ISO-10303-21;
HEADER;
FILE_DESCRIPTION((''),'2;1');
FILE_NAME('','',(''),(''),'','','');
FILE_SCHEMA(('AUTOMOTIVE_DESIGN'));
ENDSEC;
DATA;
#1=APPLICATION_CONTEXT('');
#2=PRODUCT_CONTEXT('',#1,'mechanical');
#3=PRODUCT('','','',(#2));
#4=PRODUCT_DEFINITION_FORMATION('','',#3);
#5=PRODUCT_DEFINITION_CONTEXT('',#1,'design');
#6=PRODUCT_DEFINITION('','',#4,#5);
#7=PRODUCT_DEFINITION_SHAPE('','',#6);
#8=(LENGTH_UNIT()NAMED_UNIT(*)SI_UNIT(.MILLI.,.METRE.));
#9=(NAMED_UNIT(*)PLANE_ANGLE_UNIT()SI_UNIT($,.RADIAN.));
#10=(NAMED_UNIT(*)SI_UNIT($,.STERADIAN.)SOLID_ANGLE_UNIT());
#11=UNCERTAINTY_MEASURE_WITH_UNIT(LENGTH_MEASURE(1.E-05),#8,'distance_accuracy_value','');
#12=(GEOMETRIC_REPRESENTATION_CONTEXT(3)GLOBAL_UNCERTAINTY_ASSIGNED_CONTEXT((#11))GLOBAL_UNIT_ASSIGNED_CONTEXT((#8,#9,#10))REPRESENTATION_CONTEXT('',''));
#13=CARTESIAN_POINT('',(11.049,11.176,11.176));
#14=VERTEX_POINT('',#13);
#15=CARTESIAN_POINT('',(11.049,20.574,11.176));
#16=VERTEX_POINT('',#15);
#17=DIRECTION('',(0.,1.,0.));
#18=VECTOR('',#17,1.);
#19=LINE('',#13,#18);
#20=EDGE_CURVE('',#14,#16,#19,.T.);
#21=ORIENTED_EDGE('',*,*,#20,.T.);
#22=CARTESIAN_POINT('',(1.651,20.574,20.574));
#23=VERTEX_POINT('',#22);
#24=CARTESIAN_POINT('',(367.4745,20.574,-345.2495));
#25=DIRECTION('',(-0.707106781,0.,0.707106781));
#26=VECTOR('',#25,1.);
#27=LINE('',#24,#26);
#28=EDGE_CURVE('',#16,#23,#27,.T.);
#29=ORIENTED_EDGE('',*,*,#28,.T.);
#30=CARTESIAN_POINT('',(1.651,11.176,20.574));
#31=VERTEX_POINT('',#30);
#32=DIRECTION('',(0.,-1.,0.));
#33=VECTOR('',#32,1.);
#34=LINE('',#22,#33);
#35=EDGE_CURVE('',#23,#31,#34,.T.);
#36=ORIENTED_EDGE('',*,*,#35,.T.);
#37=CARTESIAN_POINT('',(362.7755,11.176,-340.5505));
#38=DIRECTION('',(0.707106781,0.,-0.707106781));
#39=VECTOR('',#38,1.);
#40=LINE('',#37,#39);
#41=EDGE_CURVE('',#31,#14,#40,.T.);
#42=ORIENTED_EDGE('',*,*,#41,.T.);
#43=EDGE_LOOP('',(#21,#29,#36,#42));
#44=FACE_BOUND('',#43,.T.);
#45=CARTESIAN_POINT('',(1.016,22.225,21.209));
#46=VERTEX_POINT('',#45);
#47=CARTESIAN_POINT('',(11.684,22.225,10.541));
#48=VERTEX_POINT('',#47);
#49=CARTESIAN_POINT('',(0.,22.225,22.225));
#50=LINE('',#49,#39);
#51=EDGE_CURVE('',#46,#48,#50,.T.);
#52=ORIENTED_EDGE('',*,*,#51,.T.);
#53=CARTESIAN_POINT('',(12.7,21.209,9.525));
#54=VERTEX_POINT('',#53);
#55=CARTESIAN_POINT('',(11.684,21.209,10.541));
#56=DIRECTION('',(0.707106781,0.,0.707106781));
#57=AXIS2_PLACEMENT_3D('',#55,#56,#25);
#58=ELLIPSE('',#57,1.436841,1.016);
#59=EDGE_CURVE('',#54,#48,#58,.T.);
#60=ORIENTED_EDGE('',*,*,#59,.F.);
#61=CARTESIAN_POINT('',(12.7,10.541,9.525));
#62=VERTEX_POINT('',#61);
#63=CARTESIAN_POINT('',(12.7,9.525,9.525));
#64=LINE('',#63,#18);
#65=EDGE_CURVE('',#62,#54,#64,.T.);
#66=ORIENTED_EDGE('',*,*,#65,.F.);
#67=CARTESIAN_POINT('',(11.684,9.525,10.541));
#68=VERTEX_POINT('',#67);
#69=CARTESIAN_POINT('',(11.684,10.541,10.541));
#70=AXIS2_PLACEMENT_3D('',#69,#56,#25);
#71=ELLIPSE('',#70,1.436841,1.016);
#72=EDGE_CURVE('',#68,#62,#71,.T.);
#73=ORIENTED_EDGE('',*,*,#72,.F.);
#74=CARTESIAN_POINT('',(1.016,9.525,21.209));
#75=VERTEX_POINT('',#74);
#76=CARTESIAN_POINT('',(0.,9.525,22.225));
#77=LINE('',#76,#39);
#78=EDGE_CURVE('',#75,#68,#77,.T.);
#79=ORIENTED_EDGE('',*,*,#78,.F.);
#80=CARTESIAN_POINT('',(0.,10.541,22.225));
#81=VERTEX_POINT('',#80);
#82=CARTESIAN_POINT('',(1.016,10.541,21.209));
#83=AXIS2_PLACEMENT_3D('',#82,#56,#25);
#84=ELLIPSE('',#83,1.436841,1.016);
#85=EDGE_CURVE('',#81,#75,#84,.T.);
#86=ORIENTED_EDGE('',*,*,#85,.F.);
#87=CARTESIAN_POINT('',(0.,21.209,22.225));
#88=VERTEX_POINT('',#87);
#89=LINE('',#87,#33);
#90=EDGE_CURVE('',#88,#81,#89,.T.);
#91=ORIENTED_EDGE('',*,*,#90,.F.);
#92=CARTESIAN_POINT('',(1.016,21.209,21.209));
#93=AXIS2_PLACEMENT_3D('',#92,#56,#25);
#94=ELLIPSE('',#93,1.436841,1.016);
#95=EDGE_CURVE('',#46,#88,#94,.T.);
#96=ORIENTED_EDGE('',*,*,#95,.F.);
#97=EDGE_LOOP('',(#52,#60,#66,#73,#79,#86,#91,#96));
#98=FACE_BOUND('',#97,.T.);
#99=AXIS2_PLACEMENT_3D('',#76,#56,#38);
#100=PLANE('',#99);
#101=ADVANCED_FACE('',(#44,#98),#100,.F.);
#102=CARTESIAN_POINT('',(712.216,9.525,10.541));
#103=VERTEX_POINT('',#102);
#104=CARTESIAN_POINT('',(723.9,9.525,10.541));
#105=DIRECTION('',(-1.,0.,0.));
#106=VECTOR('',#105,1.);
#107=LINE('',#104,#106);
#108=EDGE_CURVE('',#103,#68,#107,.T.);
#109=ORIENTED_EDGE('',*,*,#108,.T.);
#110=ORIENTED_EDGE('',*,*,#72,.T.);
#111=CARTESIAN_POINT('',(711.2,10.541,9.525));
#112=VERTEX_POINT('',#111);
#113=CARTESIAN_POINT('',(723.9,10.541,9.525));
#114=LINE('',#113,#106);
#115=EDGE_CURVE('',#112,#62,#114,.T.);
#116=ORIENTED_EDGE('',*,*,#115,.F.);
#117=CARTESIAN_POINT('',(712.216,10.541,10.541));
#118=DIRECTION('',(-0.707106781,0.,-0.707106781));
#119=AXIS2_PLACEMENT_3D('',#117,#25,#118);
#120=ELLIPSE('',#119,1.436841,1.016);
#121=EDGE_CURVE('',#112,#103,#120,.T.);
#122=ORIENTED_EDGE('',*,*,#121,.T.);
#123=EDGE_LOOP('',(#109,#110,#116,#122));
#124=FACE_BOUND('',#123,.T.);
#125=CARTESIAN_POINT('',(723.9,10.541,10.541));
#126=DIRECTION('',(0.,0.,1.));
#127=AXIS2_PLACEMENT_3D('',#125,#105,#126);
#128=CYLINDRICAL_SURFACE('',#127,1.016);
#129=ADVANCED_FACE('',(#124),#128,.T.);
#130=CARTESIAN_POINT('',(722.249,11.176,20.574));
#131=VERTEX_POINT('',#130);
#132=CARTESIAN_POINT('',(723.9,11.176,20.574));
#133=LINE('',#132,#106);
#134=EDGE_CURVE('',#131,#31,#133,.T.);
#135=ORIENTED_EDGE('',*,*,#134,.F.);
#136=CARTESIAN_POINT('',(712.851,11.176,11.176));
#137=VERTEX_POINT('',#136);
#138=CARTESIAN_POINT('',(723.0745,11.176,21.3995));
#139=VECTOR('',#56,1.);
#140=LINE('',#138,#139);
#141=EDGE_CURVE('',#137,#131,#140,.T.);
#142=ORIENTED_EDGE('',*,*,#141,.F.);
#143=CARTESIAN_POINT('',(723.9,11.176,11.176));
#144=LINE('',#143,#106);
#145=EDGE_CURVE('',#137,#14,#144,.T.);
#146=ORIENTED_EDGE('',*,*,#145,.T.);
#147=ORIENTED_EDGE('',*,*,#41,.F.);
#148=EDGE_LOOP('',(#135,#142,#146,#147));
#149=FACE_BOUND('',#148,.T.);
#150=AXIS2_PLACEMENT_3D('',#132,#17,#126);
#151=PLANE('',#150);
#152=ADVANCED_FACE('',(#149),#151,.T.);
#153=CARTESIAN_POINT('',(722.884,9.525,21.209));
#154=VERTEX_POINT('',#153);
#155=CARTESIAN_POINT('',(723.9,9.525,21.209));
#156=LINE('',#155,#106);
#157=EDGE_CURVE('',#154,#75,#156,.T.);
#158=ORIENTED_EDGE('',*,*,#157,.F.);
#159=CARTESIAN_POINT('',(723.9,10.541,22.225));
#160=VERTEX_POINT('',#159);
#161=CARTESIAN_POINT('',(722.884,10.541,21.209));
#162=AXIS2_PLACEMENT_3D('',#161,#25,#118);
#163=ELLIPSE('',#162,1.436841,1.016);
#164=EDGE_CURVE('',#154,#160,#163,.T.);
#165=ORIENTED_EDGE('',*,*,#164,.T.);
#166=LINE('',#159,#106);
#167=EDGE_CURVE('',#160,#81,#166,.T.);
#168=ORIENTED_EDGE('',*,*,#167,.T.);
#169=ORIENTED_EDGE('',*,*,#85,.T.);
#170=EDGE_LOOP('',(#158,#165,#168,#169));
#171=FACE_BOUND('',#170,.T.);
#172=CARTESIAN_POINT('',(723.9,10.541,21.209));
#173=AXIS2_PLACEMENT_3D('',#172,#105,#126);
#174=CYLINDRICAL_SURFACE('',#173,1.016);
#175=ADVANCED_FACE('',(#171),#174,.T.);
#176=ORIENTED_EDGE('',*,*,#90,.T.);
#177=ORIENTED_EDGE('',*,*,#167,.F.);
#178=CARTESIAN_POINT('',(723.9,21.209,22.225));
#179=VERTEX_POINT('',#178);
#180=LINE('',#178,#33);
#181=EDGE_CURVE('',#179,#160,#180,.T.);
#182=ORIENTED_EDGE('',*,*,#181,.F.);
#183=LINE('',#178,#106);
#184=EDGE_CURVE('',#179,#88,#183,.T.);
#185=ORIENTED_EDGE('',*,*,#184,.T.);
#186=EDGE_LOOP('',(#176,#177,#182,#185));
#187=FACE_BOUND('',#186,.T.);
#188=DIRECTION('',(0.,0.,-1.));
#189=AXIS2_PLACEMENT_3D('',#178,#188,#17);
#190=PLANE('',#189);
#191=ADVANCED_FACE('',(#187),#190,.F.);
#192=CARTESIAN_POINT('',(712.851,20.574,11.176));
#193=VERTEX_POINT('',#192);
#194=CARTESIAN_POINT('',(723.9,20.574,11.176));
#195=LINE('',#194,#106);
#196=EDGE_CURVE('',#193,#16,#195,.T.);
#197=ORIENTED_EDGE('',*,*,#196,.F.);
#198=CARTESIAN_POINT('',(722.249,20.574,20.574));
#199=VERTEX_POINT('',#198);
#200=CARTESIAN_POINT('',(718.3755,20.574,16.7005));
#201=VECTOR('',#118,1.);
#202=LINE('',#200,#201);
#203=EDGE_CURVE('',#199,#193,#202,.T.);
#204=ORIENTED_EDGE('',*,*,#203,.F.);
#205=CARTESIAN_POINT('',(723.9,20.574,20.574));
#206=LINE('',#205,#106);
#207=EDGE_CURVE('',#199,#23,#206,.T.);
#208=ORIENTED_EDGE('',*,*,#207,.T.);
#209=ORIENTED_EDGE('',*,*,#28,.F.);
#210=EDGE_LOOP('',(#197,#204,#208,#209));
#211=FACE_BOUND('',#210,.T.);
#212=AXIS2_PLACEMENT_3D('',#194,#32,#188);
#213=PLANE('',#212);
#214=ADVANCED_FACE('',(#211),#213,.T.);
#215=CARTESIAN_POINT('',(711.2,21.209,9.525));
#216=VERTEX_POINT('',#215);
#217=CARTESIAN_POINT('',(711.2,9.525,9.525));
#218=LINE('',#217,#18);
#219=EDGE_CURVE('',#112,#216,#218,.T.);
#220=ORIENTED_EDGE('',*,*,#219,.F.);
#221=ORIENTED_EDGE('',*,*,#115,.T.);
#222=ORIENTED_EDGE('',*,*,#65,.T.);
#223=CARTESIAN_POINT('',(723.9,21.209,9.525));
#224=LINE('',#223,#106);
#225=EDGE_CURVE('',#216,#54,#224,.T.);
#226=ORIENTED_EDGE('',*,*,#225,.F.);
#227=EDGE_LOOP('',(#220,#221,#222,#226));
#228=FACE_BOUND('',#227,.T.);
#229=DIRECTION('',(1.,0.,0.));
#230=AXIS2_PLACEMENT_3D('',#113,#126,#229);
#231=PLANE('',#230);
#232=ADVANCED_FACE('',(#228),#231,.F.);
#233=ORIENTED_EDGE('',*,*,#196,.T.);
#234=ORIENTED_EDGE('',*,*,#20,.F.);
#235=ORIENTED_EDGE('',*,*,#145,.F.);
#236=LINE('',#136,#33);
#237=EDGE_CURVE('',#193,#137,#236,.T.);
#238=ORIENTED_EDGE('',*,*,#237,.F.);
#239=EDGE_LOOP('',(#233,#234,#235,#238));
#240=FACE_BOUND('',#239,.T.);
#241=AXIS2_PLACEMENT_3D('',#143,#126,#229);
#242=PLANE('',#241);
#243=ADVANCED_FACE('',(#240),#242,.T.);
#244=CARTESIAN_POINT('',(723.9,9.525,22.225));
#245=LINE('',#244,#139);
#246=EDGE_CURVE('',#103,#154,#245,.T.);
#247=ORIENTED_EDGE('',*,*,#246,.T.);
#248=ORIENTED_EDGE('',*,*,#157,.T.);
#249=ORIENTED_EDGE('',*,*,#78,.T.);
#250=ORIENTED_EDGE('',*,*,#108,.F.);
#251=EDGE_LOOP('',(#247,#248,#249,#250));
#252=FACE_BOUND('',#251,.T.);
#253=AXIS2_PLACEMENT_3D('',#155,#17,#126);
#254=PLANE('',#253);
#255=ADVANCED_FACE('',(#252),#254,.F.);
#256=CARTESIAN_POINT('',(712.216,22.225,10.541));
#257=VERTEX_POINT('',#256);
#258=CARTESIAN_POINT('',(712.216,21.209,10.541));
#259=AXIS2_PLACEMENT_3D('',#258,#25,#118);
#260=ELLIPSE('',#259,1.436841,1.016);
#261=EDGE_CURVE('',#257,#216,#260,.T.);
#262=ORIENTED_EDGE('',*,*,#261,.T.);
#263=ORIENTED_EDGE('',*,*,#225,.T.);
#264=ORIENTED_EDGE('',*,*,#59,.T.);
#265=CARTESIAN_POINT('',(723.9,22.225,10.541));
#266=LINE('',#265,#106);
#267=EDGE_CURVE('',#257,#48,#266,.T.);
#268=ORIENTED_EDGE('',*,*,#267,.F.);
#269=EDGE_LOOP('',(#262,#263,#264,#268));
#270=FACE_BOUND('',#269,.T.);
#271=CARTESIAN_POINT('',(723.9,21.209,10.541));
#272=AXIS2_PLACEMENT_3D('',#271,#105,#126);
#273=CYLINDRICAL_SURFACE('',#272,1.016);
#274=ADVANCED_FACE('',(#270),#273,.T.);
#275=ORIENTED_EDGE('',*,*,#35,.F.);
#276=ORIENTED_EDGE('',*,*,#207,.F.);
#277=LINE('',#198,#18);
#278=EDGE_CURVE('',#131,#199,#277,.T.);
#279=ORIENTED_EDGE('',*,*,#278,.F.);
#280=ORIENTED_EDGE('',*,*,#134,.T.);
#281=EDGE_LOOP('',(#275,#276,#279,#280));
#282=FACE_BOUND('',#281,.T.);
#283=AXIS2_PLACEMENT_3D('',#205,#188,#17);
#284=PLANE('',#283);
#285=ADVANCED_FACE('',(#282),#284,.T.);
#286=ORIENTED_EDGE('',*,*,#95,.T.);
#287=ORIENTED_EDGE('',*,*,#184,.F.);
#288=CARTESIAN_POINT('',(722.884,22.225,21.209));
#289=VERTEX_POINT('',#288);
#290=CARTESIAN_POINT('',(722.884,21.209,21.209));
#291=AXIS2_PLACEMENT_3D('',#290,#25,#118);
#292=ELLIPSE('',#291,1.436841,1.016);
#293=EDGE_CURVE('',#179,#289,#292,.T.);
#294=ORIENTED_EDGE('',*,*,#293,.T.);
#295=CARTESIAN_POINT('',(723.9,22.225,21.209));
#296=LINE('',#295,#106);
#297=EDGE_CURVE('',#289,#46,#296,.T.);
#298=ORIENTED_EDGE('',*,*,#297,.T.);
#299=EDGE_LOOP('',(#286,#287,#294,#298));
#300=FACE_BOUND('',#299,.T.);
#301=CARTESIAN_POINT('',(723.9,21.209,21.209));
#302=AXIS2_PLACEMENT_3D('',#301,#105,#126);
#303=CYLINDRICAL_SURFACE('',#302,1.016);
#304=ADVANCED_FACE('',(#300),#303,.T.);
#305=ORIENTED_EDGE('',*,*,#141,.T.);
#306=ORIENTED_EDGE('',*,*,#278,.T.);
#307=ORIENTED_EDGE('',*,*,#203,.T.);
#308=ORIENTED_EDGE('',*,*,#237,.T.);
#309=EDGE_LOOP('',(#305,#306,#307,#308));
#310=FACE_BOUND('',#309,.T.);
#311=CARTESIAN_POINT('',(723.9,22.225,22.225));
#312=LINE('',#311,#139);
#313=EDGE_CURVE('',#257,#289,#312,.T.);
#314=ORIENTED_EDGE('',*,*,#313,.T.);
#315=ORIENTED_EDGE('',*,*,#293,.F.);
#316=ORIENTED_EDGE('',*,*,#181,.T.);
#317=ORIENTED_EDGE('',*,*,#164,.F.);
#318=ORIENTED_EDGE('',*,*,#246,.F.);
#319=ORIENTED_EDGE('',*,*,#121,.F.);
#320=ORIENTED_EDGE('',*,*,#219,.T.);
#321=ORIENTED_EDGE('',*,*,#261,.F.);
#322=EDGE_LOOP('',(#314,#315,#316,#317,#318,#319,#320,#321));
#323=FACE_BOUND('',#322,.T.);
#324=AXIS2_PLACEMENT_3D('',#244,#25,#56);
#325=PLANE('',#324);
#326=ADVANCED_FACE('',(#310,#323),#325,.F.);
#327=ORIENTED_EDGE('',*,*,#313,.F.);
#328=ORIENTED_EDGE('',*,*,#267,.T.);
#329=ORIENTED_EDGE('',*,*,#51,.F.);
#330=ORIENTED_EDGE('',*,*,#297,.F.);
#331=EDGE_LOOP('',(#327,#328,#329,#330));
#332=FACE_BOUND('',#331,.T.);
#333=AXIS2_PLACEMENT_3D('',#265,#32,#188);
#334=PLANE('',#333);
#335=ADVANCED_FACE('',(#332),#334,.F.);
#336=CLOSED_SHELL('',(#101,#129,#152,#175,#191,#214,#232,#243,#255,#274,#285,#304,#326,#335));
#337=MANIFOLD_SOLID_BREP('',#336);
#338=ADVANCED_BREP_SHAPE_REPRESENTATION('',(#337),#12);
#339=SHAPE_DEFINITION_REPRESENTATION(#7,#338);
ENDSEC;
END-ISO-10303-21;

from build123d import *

# Parameters (mm, degrees)
SKETCH1_W           = 23.495
SKETCH1_H           = 23.495
BOSS_EXTRUDE1_DEPTH = 723.9
SCALE1_SCALE_X      = 1
SCALE1_SCALE_Y      = 0.4
SCALE1_SCALE_Z      = 0.4
CUT_EXTRUDE1_DEPTH  = 725.352435474


with BuildPart() as part:
    # Sketch1 → Boss-Extrude1 (new body)
    with BuildSketch(Plane(origin=(0, 0, 0), x_dir=(0, 0, -1), z_dir=(1, 0, 0))):
        with BuildLine():
            Line((0, 2.54), (0, 29.21))
            ThreePointArc((0, 29.21), (-0.743948776, 31.006051224), (-2.54, 31.75))
            Line((-2.54, 31.75), (-29.21, 31.75))
            ThreePointArc((-29.21, 31.75), (-31.006051224, 31.006051224), (-31.75, 29.21))
            Line((-31.75, 29.21), (-31.75, 2.54))
            ThreePointArc((-31.75, 2.54), (-31.006051224, 0.743948776), (-29.21, 0))
            Line((-29.21, 0), (-2.54, 0))
            ThreePointArc((-2.54, 0), (-0.743948776, 0.743948776), (0, 2.54))
        make_face()
        with Locations((-15.875, 15.875)):
            Rectangle(SKETCH1_W, SKETCH1_H, mode=Mode.SUBTRACT)
    extrude(amount=BOSS_EXTRUDE1_DEPTH)


with BuildPart() as part_1:
    # Scale1: scaled about (361.95, 15.875, 15.875)
    add(part.part.scale((SCALE1_SCALE_X, SCALE1_SCALE_Y, SCALE1_SCALE_Z), about=(361.95, 15.875, 15.875)))

    # Sketch3 → Cut-Extrude1 (cut, through all)
    with BuildSketch(Plane(origin=(0, 22.225, 0), x_dir=(1, 0, 0), z_dir=(0, 1, 0))):
        Polygon((0, -9.525), (0, -22.225), (12.7, -9.525), align=None)
        Polygon((723.9, -9.525), (723.9, -22.225), (711.2, -9.525), align=None)
    extrude(amount=-CUT_EXTRUDE1_DEPTH, mode=Mode.SUBTRACT)


solid = part_1.part
